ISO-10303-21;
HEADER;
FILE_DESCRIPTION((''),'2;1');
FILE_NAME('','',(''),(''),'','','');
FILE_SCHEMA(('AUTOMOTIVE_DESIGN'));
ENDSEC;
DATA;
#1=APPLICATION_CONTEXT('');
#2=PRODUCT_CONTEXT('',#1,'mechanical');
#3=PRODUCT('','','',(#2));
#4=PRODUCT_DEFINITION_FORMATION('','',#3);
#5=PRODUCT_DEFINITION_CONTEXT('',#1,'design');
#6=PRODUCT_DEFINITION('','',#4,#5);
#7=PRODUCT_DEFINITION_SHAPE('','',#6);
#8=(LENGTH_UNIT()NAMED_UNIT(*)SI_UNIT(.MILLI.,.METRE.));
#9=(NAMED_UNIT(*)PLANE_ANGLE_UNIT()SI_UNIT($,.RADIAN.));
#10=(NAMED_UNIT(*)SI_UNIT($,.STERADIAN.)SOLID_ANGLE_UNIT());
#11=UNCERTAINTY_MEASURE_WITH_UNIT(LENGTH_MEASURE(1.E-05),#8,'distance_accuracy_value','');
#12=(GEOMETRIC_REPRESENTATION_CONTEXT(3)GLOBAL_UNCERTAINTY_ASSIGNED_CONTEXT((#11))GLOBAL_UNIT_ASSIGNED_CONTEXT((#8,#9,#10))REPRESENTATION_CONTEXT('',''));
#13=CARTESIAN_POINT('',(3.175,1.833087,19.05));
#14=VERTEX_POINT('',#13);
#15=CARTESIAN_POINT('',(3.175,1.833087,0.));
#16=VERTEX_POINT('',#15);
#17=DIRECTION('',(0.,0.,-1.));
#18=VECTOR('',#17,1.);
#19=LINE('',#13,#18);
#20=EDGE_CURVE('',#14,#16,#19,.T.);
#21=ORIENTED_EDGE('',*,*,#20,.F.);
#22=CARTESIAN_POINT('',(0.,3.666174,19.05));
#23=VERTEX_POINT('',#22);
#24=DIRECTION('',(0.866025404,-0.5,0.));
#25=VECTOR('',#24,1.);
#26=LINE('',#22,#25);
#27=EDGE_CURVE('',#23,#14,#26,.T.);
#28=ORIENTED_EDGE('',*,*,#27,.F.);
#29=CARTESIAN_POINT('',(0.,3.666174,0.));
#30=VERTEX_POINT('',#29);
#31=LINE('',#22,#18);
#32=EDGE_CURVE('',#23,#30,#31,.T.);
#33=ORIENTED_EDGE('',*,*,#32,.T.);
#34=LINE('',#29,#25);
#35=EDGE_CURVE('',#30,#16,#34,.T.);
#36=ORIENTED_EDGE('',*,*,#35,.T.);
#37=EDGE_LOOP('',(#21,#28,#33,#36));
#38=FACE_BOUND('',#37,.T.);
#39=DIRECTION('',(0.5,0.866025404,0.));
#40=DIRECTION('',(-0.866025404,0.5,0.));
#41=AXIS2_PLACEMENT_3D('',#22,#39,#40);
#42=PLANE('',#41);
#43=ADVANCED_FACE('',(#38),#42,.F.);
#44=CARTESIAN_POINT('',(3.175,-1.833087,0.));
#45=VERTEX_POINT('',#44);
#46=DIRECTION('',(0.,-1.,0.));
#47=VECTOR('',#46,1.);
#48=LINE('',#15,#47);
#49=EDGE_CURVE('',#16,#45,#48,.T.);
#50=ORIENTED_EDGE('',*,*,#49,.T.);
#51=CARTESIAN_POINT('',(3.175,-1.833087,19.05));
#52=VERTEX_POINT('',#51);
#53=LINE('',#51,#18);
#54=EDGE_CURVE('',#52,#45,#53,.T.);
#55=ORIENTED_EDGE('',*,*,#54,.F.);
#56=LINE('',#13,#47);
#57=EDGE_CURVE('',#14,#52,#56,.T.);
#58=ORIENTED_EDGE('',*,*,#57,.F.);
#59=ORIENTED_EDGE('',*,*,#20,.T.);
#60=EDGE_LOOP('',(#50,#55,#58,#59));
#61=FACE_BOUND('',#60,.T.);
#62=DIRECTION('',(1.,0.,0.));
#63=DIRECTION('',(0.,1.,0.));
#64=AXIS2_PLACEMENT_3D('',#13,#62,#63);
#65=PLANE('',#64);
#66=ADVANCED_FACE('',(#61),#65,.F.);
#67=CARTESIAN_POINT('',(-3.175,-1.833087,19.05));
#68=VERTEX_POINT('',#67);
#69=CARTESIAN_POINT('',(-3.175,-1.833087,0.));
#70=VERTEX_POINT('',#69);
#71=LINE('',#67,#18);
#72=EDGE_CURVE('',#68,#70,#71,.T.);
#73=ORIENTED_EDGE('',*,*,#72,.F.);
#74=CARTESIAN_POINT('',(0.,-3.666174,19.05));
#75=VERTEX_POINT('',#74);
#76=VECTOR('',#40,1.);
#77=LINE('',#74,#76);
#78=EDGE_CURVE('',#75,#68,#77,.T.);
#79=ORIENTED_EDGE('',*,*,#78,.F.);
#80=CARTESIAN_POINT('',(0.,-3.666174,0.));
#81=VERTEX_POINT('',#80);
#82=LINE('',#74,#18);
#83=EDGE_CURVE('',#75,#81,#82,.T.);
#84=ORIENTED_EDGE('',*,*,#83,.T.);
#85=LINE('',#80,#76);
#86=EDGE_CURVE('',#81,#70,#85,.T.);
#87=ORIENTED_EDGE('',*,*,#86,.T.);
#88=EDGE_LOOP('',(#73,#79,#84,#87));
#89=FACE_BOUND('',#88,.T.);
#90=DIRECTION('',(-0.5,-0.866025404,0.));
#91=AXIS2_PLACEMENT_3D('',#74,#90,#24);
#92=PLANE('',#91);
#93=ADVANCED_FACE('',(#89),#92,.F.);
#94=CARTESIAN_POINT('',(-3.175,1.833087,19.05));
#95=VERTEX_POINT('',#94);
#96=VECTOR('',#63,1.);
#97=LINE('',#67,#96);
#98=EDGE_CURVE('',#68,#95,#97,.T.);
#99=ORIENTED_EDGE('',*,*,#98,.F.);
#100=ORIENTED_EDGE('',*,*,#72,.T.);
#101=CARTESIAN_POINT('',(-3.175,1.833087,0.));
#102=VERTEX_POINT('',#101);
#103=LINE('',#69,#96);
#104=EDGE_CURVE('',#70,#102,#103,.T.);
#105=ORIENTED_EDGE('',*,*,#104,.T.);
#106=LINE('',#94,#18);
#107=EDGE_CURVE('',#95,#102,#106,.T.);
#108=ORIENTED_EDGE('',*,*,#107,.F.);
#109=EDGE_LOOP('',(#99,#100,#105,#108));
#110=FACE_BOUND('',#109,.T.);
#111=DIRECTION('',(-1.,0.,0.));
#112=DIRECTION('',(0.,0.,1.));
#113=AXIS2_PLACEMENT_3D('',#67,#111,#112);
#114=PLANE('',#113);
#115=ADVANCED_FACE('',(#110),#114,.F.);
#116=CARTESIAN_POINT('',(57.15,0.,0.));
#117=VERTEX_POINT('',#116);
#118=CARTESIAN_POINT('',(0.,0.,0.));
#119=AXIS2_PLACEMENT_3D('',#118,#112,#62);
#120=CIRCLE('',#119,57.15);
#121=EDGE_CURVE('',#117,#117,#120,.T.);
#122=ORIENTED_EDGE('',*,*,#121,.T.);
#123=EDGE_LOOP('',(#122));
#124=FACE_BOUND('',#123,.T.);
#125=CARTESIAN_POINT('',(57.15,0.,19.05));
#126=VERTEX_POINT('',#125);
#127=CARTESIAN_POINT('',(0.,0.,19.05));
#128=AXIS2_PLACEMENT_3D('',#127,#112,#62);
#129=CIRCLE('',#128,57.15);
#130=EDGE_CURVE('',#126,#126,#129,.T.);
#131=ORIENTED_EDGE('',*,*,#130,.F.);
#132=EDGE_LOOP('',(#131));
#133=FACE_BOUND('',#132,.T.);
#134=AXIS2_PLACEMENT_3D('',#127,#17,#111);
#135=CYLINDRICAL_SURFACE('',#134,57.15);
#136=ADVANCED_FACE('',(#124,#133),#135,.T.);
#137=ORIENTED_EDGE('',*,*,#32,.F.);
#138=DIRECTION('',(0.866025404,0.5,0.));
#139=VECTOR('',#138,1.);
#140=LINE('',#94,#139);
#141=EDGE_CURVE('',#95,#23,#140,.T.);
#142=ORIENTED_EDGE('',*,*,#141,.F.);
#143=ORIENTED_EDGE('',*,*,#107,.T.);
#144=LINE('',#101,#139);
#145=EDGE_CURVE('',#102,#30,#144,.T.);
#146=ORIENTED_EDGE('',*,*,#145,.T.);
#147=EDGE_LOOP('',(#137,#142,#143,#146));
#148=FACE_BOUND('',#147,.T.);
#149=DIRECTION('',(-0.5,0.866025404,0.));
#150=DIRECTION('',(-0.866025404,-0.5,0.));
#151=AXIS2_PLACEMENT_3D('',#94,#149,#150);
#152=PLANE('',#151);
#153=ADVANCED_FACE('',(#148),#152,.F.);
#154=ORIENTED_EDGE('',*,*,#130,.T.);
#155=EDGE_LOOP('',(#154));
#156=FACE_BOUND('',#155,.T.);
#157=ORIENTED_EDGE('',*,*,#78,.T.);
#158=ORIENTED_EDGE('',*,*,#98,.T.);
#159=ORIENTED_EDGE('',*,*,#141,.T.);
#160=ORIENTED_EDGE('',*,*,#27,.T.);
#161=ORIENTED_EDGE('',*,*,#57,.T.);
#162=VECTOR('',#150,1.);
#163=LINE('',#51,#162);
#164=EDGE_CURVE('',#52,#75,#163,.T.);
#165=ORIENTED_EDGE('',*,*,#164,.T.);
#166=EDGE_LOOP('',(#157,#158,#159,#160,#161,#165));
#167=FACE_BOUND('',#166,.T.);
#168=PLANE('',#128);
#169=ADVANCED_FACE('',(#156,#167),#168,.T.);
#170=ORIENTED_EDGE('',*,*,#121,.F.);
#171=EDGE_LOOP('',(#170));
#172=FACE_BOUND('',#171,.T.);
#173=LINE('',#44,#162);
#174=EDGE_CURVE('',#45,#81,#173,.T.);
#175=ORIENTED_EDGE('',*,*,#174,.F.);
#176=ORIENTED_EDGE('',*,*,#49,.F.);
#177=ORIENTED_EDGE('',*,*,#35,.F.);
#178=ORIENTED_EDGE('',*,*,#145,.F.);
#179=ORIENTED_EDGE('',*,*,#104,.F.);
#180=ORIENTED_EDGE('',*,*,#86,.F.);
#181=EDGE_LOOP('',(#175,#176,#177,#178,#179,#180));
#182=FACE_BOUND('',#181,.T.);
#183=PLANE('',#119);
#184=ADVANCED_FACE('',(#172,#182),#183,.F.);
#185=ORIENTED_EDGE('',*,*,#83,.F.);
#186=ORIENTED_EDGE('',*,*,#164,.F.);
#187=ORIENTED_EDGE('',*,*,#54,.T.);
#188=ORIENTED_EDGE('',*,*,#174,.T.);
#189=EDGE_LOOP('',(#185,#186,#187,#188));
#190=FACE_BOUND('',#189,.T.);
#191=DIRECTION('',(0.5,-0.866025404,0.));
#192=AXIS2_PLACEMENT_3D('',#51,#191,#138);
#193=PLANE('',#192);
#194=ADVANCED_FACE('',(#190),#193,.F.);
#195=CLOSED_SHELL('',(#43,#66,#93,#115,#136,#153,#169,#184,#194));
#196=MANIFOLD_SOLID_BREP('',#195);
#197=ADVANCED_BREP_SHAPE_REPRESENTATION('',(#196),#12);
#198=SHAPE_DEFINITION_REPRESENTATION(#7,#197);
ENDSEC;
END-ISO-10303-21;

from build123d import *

# Parameters (mm, degrees)
SKETCH2_R           = 57.15
BOSS_EXTRUDE1_DEPTH = 19.05
CUT_EXTRUDE1_DEPTH  = 19.05


with BuildPart() as part:
    # Sketch2 → Boss-Extrude1 (new body)
    with BuildSketch(Plane.XY):
        Circle(SKETCH2_R)
    extrude(amount=BOSS_EXTRUDE1_DEPTH)

    # Sketch4 → Cut-Extrude1 (cut)
    with BuildSketch(Plane(origin=(0, 0, 0), x_dir=(-1, 0, 0), z_dir=(0, 0, -1))):
        Polygon((0, 3.666174209), (-3.175, 1.833087105), (-3.175, -1.833087105), (0, -3.666174209), (3.175, -1.833087105), (3.175, 1.833087105), align=None)
    extrude(amount=-CUT_EXTRUDE1_DEPTH, mode=Mode.SUBTRACT)


solid = part.part
